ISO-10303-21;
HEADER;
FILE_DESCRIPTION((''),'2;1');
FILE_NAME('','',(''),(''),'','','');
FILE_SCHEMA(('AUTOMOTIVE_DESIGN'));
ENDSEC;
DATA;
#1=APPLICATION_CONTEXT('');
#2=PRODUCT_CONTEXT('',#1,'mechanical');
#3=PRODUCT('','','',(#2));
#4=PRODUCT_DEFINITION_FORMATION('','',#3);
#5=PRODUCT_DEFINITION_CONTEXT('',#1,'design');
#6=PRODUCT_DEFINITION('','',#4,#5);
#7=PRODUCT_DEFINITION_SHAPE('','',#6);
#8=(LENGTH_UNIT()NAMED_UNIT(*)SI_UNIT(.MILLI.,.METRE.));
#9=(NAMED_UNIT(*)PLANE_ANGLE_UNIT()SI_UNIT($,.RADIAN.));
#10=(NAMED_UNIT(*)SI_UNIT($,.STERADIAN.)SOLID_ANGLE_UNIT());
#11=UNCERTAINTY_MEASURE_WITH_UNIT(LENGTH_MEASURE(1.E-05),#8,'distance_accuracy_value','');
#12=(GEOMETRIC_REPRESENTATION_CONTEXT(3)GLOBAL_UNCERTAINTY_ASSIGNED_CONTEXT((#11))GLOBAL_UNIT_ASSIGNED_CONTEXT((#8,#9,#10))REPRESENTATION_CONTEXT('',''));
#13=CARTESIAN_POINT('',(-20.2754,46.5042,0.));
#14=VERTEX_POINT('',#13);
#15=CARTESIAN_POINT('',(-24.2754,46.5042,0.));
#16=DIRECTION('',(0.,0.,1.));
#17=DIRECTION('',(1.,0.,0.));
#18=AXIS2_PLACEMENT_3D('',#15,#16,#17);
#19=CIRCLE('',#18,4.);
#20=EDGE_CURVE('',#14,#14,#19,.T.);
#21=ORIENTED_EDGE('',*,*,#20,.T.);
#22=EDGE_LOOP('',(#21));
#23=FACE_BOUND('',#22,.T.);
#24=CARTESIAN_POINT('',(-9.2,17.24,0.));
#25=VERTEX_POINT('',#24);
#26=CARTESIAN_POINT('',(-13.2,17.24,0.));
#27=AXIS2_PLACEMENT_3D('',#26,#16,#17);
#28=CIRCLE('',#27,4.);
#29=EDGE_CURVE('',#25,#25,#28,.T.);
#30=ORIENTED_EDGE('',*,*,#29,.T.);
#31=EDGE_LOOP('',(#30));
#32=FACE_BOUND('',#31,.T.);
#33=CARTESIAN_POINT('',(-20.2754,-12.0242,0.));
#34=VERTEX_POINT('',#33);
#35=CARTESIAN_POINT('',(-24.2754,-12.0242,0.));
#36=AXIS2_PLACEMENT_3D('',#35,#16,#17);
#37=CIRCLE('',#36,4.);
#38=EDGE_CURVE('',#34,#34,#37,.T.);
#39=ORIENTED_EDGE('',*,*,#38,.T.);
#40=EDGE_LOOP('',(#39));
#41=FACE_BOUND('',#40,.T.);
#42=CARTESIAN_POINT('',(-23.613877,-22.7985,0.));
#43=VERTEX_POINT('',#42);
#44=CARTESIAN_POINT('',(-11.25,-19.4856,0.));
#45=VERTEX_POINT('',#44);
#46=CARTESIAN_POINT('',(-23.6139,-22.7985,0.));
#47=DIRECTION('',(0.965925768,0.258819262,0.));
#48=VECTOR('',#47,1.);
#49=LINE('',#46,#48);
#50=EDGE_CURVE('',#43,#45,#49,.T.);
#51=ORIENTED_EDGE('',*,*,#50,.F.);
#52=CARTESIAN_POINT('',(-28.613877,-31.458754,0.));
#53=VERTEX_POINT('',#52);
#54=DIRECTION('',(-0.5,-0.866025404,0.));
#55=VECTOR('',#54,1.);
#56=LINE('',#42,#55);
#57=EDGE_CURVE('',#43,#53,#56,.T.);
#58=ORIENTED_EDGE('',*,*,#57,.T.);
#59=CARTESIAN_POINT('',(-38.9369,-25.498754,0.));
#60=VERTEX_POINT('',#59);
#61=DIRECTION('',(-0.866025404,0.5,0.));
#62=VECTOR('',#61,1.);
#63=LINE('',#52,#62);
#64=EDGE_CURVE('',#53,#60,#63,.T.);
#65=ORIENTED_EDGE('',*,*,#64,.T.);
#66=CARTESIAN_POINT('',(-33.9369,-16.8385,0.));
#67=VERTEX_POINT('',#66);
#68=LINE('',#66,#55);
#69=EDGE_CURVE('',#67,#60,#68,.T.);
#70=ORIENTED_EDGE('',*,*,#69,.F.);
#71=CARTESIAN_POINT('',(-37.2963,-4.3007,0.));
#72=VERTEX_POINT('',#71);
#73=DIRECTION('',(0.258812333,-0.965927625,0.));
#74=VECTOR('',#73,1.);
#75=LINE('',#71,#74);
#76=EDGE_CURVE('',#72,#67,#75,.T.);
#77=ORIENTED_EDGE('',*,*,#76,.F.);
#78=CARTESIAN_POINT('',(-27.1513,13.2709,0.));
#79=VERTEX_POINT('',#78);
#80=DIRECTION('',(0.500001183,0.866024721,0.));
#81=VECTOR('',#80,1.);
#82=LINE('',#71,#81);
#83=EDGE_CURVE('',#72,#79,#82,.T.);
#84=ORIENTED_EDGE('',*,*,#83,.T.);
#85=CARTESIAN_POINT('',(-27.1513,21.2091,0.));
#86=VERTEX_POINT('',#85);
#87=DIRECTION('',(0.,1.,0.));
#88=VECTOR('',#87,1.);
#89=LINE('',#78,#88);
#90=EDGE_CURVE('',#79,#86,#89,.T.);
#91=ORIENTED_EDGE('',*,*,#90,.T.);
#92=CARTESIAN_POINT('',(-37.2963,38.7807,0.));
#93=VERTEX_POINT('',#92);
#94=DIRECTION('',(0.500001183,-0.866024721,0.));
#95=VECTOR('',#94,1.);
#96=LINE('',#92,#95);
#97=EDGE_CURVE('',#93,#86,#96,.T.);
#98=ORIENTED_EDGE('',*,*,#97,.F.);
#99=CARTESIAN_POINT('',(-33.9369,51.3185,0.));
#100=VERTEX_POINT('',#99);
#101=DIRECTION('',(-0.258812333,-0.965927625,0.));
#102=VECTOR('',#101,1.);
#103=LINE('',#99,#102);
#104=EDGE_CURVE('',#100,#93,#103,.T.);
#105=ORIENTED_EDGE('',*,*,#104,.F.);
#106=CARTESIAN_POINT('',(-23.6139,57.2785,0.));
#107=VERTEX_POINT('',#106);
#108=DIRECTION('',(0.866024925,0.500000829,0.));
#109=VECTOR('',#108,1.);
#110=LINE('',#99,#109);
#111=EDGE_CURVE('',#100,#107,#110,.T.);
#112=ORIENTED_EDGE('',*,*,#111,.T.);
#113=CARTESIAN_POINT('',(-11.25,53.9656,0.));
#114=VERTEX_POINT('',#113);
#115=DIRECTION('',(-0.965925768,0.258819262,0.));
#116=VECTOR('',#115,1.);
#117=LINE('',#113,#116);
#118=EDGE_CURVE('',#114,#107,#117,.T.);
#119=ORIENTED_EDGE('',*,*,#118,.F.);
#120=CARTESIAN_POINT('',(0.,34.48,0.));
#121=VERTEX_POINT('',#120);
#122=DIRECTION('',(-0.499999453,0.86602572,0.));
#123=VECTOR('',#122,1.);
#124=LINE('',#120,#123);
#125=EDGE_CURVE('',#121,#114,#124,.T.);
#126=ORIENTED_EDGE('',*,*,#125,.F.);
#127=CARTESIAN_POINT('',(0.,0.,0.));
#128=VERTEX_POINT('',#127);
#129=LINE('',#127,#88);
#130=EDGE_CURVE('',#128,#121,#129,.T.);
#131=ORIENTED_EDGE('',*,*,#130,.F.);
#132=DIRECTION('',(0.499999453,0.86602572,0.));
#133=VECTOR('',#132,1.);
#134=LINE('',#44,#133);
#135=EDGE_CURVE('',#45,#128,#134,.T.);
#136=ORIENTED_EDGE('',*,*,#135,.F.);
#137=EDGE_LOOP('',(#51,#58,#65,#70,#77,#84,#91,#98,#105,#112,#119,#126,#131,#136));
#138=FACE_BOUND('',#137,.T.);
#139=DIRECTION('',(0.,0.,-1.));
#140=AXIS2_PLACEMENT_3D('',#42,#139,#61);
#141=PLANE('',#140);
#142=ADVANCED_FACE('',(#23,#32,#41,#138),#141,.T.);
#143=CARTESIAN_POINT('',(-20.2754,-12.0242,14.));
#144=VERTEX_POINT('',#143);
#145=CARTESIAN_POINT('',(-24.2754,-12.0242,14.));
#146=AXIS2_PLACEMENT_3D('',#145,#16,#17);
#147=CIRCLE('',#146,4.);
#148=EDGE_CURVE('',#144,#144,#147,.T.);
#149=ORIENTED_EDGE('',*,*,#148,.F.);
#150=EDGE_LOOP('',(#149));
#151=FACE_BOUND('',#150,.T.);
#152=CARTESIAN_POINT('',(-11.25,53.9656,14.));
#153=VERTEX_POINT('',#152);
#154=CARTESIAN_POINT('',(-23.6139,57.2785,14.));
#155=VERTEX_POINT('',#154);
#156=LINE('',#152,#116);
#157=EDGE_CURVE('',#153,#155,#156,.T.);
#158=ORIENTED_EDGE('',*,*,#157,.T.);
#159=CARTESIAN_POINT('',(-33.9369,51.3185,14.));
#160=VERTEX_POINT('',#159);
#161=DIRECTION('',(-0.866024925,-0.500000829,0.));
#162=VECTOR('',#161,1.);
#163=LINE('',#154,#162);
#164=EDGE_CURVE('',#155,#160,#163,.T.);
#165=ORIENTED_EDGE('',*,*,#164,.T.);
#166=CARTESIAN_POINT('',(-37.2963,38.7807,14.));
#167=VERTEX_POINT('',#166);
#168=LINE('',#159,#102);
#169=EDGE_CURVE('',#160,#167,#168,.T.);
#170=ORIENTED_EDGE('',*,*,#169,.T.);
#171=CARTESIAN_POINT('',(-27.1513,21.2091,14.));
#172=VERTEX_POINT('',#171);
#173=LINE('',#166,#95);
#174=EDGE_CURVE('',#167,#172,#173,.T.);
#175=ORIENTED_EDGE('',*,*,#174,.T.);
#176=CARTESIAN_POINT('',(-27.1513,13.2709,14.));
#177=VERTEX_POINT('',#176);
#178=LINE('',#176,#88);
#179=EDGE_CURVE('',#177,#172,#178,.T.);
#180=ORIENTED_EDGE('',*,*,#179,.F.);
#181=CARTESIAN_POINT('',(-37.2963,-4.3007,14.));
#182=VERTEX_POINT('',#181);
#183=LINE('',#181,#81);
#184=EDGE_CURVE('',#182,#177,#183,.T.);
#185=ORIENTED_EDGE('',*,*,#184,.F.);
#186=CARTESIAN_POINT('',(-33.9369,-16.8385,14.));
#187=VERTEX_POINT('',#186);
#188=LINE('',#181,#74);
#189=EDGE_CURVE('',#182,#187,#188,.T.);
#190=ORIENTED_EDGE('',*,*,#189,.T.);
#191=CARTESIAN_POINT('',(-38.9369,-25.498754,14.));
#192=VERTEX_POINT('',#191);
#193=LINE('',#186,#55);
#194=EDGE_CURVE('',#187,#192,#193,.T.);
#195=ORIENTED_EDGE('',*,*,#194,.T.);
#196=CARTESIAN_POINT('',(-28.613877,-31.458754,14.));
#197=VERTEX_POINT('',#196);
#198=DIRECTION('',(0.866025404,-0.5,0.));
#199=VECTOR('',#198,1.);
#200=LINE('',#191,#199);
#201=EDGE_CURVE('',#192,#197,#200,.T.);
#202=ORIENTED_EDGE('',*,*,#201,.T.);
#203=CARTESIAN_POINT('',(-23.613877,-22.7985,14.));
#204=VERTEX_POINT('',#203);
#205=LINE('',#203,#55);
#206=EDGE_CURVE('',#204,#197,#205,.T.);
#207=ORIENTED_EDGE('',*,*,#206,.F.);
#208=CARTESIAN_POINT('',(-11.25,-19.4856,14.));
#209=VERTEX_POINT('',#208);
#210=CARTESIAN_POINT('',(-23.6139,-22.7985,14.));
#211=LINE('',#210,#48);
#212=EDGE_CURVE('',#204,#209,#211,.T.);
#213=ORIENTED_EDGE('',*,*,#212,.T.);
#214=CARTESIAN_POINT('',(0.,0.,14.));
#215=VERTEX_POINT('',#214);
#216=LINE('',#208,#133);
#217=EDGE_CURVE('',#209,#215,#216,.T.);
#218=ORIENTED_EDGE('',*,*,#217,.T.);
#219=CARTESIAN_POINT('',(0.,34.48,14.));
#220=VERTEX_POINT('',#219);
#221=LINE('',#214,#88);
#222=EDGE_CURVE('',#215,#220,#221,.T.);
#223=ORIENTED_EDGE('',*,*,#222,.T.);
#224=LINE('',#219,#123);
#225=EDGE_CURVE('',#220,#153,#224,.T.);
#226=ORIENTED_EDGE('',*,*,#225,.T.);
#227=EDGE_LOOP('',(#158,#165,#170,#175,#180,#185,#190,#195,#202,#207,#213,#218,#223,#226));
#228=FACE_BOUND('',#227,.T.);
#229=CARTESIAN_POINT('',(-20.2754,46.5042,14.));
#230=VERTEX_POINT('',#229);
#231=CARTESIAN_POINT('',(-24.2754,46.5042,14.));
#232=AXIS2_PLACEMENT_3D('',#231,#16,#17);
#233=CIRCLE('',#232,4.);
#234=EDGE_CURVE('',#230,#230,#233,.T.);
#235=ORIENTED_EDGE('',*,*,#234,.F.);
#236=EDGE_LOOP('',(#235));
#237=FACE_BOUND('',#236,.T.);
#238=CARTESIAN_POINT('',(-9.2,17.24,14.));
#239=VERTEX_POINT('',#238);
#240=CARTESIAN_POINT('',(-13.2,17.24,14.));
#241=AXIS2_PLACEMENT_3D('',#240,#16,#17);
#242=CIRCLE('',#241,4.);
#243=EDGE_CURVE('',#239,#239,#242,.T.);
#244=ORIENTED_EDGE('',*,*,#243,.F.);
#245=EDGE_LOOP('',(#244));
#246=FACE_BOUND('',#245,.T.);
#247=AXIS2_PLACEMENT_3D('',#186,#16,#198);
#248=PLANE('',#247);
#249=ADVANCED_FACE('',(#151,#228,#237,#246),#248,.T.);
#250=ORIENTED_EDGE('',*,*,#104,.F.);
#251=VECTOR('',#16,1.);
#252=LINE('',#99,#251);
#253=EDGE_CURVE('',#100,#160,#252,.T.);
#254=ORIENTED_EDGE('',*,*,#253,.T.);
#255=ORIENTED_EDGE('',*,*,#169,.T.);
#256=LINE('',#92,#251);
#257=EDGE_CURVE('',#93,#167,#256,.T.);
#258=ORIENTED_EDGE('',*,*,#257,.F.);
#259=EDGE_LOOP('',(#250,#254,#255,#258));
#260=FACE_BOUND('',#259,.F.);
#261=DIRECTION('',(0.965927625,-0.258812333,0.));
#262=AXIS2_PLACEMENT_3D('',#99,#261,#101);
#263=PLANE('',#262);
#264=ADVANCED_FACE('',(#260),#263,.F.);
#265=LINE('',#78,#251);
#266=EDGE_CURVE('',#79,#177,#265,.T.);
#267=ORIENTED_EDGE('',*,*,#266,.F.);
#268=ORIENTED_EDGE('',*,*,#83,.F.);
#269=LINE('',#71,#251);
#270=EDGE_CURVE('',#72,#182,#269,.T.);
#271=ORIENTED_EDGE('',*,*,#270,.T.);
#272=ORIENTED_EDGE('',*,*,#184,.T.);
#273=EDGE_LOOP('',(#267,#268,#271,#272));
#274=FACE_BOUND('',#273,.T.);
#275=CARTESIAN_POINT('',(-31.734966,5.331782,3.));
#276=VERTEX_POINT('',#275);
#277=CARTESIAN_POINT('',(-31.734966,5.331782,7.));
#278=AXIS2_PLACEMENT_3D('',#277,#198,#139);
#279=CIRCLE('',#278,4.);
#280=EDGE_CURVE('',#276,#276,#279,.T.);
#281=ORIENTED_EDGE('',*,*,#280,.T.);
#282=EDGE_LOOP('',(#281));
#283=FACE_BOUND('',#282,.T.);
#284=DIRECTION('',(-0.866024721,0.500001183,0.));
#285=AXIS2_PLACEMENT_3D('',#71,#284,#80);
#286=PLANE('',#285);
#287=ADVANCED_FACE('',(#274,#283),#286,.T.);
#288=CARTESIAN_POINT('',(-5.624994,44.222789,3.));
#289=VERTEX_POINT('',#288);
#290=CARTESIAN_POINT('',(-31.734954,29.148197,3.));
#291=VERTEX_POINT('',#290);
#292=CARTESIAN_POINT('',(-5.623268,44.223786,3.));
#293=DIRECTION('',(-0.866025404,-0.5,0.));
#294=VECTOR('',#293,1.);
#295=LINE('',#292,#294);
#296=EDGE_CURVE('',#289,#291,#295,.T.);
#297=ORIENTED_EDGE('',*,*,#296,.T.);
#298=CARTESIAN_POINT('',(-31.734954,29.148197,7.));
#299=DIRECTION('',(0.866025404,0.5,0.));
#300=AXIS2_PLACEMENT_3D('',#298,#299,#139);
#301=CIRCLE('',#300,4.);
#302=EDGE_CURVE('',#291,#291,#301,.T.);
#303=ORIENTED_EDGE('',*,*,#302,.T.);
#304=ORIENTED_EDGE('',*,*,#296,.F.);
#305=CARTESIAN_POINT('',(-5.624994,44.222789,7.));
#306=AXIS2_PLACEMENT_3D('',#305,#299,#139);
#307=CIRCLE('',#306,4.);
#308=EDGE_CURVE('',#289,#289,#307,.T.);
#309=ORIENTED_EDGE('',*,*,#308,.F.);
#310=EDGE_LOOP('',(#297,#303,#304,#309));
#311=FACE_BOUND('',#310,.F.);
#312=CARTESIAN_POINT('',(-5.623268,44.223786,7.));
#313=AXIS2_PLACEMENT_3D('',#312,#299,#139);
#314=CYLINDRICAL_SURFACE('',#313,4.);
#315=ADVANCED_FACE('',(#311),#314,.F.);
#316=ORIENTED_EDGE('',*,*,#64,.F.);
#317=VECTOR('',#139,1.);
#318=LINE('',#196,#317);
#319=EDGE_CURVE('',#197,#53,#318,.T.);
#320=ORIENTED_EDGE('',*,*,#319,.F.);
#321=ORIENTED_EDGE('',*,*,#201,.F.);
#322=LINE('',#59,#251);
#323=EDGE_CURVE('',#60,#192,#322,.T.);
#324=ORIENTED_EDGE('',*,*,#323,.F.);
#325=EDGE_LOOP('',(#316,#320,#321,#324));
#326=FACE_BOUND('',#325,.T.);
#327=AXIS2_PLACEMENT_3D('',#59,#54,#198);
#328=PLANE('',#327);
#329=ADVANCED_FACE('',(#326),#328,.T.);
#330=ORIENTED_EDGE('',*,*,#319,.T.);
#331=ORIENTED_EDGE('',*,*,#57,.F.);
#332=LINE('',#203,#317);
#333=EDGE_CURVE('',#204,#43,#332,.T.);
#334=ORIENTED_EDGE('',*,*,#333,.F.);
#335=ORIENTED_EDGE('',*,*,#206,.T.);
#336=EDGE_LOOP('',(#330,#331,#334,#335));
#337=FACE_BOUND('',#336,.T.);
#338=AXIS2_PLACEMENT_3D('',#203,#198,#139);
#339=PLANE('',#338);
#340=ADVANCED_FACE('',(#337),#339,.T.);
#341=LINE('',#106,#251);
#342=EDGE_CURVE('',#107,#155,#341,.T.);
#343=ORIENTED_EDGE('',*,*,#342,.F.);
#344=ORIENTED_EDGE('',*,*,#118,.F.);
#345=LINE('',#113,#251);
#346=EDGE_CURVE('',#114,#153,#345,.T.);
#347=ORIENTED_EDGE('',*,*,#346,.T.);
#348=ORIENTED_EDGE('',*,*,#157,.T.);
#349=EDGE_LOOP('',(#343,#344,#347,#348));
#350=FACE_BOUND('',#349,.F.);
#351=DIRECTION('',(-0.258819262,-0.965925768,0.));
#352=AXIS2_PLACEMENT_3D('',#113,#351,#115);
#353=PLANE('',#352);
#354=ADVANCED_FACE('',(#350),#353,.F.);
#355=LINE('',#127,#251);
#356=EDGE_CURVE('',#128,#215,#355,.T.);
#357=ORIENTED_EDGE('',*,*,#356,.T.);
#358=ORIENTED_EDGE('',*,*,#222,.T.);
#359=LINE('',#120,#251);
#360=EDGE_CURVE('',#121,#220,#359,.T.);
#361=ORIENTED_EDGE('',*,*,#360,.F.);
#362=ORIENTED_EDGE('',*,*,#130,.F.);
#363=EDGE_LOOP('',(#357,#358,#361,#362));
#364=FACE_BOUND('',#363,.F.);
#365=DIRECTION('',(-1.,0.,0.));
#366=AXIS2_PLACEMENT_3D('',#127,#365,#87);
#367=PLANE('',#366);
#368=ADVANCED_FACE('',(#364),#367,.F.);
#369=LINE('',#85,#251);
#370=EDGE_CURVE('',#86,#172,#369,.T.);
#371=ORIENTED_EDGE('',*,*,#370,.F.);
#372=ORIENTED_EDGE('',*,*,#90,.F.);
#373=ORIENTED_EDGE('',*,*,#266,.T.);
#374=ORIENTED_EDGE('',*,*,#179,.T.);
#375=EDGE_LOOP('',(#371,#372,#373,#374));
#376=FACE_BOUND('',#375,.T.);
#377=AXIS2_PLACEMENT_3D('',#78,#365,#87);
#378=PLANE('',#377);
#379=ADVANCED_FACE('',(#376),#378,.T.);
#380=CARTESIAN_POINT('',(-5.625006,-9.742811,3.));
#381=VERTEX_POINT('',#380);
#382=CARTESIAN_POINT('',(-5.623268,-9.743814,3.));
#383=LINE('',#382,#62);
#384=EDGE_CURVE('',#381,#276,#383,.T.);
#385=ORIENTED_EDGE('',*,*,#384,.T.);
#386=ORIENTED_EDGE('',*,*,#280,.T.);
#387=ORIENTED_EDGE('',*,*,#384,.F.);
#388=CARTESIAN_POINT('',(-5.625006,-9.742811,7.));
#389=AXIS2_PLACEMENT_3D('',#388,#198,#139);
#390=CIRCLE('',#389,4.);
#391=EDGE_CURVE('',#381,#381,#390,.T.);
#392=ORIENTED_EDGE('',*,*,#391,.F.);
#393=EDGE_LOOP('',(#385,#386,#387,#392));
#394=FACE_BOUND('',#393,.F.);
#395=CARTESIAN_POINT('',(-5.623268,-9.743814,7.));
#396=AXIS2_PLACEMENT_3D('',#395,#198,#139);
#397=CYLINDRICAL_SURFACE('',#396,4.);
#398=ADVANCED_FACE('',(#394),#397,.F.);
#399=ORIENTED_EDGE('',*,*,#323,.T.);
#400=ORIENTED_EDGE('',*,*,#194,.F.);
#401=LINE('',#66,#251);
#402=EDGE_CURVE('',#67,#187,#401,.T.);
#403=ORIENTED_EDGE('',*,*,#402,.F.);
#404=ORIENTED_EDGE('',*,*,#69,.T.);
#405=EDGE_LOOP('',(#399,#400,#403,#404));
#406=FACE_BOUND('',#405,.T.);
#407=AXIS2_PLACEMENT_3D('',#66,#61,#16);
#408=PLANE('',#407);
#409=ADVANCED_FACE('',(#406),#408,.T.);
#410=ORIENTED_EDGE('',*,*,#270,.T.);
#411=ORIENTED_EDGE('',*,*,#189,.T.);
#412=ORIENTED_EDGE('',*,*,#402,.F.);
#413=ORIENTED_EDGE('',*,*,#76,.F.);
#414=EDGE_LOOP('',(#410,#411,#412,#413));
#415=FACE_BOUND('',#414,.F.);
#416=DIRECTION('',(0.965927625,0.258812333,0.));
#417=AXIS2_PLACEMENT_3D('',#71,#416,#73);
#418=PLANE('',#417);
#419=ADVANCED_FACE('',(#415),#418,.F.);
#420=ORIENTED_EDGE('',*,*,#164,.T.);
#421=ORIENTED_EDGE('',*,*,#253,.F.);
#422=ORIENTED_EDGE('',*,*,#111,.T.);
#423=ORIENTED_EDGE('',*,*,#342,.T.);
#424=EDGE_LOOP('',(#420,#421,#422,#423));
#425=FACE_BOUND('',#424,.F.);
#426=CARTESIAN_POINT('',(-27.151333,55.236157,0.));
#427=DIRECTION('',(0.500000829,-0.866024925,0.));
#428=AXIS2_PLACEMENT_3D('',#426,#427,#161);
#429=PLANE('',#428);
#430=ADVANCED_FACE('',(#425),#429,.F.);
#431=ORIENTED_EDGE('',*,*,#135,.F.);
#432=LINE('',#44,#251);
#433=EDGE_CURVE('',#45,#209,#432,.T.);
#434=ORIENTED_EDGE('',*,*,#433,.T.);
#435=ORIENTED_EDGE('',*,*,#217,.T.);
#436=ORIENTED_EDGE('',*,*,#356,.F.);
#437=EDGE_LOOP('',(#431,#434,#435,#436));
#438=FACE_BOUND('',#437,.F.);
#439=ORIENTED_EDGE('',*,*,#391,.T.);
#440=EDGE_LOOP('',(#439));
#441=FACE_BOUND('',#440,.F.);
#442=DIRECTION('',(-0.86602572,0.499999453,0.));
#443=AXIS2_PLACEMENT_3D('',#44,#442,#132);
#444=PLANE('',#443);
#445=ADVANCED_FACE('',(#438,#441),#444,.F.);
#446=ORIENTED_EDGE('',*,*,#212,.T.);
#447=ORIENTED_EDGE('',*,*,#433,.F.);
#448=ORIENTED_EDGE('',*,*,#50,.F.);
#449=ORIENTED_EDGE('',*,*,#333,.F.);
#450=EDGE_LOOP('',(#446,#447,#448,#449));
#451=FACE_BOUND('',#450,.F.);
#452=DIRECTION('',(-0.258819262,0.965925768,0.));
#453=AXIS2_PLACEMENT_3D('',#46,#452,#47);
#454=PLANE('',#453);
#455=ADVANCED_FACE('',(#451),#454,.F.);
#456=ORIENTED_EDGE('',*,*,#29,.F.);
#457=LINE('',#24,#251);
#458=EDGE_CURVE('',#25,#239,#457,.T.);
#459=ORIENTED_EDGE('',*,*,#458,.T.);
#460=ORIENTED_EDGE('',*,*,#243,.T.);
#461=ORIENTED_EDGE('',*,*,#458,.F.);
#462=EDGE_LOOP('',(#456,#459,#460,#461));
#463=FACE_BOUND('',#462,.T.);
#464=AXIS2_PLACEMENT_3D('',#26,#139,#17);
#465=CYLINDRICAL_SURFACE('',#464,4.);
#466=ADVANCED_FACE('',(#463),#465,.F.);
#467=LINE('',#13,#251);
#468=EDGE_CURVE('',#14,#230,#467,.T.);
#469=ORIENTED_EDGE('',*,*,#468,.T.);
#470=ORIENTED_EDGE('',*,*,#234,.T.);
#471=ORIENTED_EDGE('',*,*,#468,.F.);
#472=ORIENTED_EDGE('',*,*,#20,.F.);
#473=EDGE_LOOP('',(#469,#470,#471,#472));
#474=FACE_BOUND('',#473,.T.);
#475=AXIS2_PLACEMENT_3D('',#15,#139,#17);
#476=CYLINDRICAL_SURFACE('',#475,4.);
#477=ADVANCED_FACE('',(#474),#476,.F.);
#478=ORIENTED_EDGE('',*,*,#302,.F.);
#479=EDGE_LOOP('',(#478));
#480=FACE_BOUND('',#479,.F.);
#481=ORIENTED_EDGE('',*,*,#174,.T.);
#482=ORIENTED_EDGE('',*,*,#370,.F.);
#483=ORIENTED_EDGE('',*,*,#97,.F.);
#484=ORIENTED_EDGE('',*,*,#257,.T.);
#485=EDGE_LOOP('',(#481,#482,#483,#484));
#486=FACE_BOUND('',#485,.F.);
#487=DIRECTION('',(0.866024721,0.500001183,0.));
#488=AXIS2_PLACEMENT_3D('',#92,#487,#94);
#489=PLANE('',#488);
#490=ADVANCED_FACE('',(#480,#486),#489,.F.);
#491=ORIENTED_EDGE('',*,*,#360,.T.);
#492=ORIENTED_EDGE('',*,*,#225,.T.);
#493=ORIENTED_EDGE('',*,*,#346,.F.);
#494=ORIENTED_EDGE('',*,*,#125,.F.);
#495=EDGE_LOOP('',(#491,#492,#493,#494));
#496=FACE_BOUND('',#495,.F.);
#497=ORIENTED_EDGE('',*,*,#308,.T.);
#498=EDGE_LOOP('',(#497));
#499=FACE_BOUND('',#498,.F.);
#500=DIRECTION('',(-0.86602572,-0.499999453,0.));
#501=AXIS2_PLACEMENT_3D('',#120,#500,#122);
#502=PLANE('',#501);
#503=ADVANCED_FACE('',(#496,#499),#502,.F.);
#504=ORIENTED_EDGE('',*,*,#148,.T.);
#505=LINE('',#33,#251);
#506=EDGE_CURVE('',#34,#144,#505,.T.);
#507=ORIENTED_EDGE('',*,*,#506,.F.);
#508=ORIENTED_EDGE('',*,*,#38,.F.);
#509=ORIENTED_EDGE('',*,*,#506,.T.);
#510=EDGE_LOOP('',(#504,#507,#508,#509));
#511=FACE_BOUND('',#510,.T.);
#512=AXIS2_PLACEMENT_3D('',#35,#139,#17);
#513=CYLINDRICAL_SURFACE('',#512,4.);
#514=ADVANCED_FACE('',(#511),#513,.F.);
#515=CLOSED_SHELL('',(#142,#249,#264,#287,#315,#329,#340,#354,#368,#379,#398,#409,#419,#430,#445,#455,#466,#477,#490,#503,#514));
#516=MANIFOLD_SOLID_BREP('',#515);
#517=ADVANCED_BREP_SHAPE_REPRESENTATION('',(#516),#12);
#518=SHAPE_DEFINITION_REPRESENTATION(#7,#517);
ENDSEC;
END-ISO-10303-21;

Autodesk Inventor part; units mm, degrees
ref_plane "YZ Plane" through (0, 0, 0) normal (1, 0, 0) x (0, 1, 0)
ref_plane "XZ Plane" through (0, 0, 0) normal (0, 1, 0) x (-1, 0, 0)
ref_plane "XY Plane" through (0, 0, 0) normal (0, 0, 1) x (1, 0, 0)
sketch "Sketch1" plane through (0, 0, 0) normal (0, 0, 1) x (1, 0, 0)
  line L0 (0, 0) -> (0, 34.48)
  line L1 (0, 34.48) -> (-11.25, 53.9656)
  line L2 (-11.25, 53.9656) -> (-23.6139, 57.2785)
  line L3 (-23.6139, 57.2785) -> (-33.9369, 51.3185)
  line L4 (-33.9369, 51.3185) -> (-37.2963, 38.7807)
  line L5 (-37.2963, 38.7807) -> (-27.1513, 21.2091)
  line L6 (-37.2963, -4.3007) -> (-33.9369, -16.8385)
  line L7 (-33.9369, -16.8385) -> (-23.6139, -22.7985)
  line L8 (-23.6139, -22.7985) -> (-11.25, -19.4856)
  line L9 (-11.25, -19.4856) -> (0, 0)
  line L10 (-37.2963, -4.3007) -> (-27.1513, 13.2709)
  line L11 (-27.1513, 13.2709) -> (-27.1513, 21.2091)
  circle A0 centre (-24.2754, 46.5042) radius 4
  circle A1 centre (-24.2754, -12.0242) radius 4
  line L12 (-33.9369, -16.8385) -> (-57.9984, -2.9465)
  line L13 (-33.9369, -16.8385) -> (-24.2152, 0)
  line L14 (-27.1513, 55.2361) -> (-5.625, 67.6643)
  line L15 (-23.6139, 57.2785) -> (-11.8125, 36.8379)
  circle A2 centre (-13.2, 17.24) radius 4
  dimension "d0" = 34.48
  dimension "d1" = 22.5
  dimension "d2" = 12.8
  dimension "d3" = 11.92
  dimension "d4" = 12.98
  dimension "d10" = 150
  dimension "d11" = 135
  dimension "d12" = 135
  dimension "d13" = 135
  dimension "d14" = 135
  dimension "d21" = 150
  dimension "d22" = 22.5
  dimension "d23" = 135
  dimension "d24" = 12.8
  dimension "d25" = 225
  dimension "d26" = 11.92
  dimension "d27" = 12.98
  dimension "d28" = 135
  dimension "d29" = 20.29
  dimension "d30" = 135
  dimension "d31" = 7.9382
  dimension "d32" = 9
  dimension "d33" = 9
  dimension "d34" = 5.96
  dimension "d35" = 5.96
  dimension "d36" = 8
  dimension "d37" = 8
  dimension "d38" = 13.2
  dimension "d39" = 8
extrude "Extrusion1" add sketch "Sketch1" along normal blind 14
sketch "Sketch2" plane through (0, 34.48, 14) normal (0.866, 0.5, 0) x (0, 0, -1)
  line L0 (0, 22.5) -> (0, 0) projected
  line L1 (14, 0) -> (0, 0) projected
  line L2 (14, 22.5) -> (0, 22.5) projected
  circle A0 centre (7, 11.25) radius 4
  point P0 (14, -29.8606)
  dimension "d42" = 22.5
  dimension "d43" = 11.25
  dimension "d44" = 7
  dimension "d52" = 8
extrude "Extrusion2" cut sketch "Sketch2" against normal blind 40
sketch "Sketch3" plane through (-11.25, -19.4856, 14) normal (0.866, -0.5, 0) x (0, 0, -1)
  line L0 (14, 0) -> (14, 22.5) projected
  line L1 (14, 22.5) -> (0, 22.5) projected
  circle A0 centre (7, 11.25) radius 4
  line L2 (14, -9.051) -> (0, -9.051) projected
  dimension "d47" = 8
  dimension "d48" = 11.25
  dimension "d49" = 7
  dimension "d64" = 20.301
extrude "Extrusion3" cut sketch "Sketch3" against normal blind 40
sketch "Sketch5" plane through (-33.9369, -16.8385, 0) normal (-0.5, -0.866, 0) x (0.866, -0.5, 0)
  line L0 (11.92, 0) -> (0, 0)
  line L1 (0, 0) -> (0, 14)
  line L2 (0, 14) -> (11.92, 14)
  line L3 (11.92, 14) -> (11.92, 0)
  point P0 (20.971, 0)
extrude "Extrusion4" add sketch "Sketch5" along normal blind 10
properties part number "Vertex Bootm with foot"
